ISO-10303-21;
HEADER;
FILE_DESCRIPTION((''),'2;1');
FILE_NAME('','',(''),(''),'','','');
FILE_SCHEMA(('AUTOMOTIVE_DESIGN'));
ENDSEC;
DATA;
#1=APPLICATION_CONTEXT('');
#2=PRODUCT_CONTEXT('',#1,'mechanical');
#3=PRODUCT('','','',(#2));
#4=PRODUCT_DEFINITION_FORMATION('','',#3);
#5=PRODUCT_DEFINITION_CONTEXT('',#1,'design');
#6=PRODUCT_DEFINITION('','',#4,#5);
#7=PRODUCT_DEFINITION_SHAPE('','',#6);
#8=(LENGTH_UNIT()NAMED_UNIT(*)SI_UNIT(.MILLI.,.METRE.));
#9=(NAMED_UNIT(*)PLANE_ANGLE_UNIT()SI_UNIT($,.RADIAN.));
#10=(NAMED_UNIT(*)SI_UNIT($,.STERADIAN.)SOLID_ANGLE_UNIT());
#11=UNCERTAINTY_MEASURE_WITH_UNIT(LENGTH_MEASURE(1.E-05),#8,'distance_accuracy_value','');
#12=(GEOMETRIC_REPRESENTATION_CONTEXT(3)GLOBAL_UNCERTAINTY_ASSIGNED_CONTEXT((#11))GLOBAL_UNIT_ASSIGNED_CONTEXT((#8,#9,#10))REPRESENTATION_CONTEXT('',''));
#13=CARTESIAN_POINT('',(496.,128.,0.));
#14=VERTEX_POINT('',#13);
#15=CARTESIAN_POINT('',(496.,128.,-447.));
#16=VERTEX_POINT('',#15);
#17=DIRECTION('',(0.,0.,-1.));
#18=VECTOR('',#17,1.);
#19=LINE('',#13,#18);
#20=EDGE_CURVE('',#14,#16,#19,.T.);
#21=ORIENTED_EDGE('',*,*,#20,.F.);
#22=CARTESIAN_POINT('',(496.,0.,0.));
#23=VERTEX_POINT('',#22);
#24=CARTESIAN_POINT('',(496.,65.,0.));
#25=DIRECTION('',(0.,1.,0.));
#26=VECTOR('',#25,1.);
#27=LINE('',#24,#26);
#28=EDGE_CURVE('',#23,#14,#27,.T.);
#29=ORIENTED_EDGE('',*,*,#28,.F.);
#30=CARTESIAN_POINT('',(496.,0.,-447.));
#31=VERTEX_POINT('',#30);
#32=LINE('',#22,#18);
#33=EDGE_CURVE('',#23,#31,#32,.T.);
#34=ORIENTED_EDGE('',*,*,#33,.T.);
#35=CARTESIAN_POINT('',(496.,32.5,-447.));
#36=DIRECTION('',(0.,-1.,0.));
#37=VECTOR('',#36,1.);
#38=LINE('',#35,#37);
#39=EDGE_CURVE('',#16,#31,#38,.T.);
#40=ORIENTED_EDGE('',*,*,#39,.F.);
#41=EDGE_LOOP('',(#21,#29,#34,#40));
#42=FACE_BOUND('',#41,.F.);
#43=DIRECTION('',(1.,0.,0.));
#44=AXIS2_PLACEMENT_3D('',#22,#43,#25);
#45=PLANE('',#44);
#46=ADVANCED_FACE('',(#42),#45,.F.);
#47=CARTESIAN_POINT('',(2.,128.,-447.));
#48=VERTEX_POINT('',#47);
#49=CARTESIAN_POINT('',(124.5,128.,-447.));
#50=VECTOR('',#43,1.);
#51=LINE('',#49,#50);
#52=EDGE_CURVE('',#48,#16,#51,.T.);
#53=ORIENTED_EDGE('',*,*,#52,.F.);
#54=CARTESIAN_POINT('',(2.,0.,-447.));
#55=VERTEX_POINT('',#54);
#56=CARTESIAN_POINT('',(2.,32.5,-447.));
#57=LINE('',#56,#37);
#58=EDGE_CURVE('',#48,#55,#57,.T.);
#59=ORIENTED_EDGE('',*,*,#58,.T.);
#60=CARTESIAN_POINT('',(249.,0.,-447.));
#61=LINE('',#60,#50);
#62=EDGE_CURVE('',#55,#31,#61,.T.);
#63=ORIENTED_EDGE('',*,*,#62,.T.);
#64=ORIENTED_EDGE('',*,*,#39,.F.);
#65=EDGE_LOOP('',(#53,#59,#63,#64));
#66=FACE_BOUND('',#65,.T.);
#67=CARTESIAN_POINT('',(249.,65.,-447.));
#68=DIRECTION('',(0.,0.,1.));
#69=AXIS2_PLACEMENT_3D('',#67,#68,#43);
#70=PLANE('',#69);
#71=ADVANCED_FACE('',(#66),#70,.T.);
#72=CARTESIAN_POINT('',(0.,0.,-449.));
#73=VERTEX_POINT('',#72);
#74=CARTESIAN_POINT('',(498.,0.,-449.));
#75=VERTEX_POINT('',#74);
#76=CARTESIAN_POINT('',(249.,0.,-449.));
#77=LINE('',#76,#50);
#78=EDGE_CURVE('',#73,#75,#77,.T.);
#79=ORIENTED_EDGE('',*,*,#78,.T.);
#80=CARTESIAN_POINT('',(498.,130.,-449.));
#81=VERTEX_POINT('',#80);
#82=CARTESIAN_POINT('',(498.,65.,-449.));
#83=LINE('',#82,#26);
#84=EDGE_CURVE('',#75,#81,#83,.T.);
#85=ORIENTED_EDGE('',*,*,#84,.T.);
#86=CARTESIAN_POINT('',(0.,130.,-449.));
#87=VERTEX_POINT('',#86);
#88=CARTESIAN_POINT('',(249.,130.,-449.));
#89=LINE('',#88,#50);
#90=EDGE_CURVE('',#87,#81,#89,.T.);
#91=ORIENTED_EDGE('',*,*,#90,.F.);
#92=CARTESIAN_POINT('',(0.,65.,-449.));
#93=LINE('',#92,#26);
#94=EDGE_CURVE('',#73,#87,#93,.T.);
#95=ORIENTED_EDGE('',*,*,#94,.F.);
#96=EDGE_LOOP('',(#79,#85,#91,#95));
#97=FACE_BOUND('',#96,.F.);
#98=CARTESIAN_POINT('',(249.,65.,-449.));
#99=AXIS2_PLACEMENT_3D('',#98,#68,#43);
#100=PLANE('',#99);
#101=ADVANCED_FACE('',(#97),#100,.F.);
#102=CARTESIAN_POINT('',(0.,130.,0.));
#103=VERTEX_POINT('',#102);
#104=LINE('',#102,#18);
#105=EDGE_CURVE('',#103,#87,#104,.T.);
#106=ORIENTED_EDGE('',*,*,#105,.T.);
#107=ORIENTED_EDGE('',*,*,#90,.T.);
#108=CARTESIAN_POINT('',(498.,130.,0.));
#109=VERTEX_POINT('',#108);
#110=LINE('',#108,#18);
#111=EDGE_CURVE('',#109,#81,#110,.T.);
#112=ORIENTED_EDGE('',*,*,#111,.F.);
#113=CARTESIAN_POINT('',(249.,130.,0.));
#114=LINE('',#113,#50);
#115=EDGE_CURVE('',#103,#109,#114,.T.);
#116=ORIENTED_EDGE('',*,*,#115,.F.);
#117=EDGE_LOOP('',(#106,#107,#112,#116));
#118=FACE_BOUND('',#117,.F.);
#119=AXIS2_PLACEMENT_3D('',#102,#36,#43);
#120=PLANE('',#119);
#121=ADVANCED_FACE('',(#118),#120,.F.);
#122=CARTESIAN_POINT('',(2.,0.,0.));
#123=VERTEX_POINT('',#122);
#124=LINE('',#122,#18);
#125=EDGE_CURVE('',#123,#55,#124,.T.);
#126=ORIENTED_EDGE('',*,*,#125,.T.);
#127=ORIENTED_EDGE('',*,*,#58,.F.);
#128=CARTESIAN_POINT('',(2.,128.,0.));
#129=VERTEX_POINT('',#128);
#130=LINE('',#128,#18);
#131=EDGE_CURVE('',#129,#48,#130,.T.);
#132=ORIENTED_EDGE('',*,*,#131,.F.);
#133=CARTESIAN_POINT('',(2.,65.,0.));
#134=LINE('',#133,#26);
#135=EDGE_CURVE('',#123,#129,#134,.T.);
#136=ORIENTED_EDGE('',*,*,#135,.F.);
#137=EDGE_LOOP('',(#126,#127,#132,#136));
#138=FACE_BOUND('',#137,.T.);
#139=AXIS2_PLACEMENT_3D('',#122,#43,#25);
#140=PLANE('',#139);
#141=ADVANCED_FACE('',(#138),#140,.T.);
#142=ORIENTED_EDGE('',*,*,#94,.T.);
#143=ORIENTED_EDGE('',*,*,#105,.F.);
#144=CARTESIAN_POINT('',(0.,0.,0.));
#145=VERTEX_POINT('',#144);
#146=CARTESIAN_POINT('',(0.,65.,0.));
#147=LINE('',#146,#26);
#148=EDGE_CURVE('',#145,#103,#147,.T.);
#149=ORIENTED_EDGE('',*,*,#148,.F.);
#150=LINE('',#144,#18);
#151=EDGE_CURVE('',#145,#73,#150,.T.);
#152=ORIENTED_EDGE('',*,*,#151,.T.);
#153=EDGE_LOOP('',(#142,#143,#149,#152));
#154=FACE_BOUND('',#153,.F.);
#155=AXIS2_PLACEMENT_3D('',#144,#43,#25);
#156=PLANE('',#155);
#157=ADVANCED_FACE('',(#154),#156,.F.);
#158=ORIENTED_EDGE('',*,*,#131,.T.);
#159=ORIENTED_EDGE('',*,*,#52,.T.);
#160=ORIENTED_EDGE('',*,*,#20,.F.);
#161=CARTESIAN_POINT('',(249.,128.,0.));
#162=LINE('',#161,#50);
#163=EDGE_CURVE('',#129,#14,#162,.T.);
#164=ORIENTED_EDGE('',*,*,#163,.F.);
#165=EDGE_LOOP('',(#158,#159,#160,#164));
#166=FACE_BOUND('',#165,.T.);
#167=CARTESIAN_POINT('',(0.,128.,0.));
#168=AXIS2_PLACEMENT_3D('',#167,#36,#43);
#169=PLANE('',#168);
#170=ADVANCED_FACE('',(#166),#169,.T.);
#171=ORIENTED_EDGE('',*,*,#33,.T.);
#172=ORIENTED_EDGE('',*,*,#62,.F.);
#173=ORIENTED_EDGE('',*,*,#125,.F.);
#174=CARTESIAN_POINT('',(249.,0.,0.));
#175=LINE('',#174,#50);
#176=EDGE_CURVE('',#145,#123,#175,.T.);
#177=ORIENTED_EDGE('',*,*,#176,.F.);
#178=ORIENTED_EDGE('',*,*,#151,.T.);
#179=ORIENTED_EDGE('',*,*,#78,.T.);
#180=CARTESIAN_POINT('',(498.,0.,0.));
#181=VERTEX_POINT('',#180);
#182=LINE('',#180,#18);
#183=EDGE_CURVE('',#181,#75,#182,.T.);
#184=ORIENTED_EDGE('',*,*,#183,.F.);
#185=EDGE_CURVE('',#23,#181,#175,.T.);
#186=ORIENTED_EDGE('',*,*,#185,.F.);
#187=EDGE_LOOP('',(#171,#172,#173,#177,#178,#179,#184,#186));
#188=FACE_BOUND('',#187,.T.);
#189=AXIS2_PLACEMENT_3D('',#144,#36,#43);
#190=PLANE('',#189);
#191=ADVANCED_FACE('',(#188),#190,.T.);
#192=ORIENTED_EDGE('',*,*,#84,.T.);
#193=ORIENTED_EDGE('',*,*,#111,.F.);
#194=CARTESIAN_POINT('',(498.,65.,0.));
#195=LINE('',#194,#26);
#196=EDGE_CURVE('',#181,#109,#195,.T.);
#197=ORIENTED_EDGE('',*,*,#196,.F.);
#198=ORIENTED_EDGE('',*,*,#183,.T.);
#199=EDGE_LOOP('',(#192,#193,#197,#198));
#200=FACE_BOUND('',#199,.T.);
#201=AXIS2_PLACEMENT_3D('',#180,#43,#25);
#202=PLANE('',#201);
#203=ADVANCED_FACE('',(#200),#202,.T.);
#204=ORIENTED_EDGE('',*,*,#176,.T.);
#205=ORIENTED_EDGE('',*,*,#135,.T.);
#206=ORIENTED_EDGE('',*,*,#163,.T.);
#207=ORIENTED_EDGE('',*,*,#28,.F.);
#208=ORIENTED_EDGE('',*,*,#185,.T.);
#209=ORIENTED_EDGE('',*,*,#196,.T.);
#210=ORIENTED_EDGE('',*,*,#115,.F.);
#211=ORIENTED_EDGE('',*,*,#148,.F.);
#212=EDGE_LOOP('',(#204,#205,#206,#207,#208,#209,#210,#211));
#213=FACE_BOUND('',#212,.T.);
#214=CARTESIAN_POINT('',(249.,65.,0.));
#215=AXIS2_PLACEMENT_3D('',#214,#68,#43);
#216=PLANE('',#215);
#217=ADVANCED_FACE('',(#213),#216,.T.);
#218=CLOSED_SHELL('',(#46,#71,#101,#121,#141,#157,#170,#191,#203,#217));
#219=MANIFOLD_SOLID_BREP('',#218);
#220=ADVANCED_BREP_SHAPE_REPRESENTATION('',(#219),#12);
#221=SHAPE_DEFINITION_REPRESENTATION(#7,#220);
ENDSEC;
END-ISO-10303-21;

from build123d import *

# Parameters (mm, degrees)
F0_W     = 498
F0_H     = 130
F1_DEPTH = 449
F2_T     = -2


with BuildPart() as f1:
    # F0 (on Top) → F1 (new body)
    with BuildSketch(Plane.XY):
        with Locations((249, 65)):
            Rectangle(F0_W, F0_H)
    extrude(amount=-F1_DEPTH)

    # F2
    f2_openings = [f1.faces().sort_by_distance(p)[0] for p in [
        (249, 0, -224.5),
        (249, 65, 0),
    ]]
    offset(amount=F2_T, openings=f2_openings)


solid = f1.part
